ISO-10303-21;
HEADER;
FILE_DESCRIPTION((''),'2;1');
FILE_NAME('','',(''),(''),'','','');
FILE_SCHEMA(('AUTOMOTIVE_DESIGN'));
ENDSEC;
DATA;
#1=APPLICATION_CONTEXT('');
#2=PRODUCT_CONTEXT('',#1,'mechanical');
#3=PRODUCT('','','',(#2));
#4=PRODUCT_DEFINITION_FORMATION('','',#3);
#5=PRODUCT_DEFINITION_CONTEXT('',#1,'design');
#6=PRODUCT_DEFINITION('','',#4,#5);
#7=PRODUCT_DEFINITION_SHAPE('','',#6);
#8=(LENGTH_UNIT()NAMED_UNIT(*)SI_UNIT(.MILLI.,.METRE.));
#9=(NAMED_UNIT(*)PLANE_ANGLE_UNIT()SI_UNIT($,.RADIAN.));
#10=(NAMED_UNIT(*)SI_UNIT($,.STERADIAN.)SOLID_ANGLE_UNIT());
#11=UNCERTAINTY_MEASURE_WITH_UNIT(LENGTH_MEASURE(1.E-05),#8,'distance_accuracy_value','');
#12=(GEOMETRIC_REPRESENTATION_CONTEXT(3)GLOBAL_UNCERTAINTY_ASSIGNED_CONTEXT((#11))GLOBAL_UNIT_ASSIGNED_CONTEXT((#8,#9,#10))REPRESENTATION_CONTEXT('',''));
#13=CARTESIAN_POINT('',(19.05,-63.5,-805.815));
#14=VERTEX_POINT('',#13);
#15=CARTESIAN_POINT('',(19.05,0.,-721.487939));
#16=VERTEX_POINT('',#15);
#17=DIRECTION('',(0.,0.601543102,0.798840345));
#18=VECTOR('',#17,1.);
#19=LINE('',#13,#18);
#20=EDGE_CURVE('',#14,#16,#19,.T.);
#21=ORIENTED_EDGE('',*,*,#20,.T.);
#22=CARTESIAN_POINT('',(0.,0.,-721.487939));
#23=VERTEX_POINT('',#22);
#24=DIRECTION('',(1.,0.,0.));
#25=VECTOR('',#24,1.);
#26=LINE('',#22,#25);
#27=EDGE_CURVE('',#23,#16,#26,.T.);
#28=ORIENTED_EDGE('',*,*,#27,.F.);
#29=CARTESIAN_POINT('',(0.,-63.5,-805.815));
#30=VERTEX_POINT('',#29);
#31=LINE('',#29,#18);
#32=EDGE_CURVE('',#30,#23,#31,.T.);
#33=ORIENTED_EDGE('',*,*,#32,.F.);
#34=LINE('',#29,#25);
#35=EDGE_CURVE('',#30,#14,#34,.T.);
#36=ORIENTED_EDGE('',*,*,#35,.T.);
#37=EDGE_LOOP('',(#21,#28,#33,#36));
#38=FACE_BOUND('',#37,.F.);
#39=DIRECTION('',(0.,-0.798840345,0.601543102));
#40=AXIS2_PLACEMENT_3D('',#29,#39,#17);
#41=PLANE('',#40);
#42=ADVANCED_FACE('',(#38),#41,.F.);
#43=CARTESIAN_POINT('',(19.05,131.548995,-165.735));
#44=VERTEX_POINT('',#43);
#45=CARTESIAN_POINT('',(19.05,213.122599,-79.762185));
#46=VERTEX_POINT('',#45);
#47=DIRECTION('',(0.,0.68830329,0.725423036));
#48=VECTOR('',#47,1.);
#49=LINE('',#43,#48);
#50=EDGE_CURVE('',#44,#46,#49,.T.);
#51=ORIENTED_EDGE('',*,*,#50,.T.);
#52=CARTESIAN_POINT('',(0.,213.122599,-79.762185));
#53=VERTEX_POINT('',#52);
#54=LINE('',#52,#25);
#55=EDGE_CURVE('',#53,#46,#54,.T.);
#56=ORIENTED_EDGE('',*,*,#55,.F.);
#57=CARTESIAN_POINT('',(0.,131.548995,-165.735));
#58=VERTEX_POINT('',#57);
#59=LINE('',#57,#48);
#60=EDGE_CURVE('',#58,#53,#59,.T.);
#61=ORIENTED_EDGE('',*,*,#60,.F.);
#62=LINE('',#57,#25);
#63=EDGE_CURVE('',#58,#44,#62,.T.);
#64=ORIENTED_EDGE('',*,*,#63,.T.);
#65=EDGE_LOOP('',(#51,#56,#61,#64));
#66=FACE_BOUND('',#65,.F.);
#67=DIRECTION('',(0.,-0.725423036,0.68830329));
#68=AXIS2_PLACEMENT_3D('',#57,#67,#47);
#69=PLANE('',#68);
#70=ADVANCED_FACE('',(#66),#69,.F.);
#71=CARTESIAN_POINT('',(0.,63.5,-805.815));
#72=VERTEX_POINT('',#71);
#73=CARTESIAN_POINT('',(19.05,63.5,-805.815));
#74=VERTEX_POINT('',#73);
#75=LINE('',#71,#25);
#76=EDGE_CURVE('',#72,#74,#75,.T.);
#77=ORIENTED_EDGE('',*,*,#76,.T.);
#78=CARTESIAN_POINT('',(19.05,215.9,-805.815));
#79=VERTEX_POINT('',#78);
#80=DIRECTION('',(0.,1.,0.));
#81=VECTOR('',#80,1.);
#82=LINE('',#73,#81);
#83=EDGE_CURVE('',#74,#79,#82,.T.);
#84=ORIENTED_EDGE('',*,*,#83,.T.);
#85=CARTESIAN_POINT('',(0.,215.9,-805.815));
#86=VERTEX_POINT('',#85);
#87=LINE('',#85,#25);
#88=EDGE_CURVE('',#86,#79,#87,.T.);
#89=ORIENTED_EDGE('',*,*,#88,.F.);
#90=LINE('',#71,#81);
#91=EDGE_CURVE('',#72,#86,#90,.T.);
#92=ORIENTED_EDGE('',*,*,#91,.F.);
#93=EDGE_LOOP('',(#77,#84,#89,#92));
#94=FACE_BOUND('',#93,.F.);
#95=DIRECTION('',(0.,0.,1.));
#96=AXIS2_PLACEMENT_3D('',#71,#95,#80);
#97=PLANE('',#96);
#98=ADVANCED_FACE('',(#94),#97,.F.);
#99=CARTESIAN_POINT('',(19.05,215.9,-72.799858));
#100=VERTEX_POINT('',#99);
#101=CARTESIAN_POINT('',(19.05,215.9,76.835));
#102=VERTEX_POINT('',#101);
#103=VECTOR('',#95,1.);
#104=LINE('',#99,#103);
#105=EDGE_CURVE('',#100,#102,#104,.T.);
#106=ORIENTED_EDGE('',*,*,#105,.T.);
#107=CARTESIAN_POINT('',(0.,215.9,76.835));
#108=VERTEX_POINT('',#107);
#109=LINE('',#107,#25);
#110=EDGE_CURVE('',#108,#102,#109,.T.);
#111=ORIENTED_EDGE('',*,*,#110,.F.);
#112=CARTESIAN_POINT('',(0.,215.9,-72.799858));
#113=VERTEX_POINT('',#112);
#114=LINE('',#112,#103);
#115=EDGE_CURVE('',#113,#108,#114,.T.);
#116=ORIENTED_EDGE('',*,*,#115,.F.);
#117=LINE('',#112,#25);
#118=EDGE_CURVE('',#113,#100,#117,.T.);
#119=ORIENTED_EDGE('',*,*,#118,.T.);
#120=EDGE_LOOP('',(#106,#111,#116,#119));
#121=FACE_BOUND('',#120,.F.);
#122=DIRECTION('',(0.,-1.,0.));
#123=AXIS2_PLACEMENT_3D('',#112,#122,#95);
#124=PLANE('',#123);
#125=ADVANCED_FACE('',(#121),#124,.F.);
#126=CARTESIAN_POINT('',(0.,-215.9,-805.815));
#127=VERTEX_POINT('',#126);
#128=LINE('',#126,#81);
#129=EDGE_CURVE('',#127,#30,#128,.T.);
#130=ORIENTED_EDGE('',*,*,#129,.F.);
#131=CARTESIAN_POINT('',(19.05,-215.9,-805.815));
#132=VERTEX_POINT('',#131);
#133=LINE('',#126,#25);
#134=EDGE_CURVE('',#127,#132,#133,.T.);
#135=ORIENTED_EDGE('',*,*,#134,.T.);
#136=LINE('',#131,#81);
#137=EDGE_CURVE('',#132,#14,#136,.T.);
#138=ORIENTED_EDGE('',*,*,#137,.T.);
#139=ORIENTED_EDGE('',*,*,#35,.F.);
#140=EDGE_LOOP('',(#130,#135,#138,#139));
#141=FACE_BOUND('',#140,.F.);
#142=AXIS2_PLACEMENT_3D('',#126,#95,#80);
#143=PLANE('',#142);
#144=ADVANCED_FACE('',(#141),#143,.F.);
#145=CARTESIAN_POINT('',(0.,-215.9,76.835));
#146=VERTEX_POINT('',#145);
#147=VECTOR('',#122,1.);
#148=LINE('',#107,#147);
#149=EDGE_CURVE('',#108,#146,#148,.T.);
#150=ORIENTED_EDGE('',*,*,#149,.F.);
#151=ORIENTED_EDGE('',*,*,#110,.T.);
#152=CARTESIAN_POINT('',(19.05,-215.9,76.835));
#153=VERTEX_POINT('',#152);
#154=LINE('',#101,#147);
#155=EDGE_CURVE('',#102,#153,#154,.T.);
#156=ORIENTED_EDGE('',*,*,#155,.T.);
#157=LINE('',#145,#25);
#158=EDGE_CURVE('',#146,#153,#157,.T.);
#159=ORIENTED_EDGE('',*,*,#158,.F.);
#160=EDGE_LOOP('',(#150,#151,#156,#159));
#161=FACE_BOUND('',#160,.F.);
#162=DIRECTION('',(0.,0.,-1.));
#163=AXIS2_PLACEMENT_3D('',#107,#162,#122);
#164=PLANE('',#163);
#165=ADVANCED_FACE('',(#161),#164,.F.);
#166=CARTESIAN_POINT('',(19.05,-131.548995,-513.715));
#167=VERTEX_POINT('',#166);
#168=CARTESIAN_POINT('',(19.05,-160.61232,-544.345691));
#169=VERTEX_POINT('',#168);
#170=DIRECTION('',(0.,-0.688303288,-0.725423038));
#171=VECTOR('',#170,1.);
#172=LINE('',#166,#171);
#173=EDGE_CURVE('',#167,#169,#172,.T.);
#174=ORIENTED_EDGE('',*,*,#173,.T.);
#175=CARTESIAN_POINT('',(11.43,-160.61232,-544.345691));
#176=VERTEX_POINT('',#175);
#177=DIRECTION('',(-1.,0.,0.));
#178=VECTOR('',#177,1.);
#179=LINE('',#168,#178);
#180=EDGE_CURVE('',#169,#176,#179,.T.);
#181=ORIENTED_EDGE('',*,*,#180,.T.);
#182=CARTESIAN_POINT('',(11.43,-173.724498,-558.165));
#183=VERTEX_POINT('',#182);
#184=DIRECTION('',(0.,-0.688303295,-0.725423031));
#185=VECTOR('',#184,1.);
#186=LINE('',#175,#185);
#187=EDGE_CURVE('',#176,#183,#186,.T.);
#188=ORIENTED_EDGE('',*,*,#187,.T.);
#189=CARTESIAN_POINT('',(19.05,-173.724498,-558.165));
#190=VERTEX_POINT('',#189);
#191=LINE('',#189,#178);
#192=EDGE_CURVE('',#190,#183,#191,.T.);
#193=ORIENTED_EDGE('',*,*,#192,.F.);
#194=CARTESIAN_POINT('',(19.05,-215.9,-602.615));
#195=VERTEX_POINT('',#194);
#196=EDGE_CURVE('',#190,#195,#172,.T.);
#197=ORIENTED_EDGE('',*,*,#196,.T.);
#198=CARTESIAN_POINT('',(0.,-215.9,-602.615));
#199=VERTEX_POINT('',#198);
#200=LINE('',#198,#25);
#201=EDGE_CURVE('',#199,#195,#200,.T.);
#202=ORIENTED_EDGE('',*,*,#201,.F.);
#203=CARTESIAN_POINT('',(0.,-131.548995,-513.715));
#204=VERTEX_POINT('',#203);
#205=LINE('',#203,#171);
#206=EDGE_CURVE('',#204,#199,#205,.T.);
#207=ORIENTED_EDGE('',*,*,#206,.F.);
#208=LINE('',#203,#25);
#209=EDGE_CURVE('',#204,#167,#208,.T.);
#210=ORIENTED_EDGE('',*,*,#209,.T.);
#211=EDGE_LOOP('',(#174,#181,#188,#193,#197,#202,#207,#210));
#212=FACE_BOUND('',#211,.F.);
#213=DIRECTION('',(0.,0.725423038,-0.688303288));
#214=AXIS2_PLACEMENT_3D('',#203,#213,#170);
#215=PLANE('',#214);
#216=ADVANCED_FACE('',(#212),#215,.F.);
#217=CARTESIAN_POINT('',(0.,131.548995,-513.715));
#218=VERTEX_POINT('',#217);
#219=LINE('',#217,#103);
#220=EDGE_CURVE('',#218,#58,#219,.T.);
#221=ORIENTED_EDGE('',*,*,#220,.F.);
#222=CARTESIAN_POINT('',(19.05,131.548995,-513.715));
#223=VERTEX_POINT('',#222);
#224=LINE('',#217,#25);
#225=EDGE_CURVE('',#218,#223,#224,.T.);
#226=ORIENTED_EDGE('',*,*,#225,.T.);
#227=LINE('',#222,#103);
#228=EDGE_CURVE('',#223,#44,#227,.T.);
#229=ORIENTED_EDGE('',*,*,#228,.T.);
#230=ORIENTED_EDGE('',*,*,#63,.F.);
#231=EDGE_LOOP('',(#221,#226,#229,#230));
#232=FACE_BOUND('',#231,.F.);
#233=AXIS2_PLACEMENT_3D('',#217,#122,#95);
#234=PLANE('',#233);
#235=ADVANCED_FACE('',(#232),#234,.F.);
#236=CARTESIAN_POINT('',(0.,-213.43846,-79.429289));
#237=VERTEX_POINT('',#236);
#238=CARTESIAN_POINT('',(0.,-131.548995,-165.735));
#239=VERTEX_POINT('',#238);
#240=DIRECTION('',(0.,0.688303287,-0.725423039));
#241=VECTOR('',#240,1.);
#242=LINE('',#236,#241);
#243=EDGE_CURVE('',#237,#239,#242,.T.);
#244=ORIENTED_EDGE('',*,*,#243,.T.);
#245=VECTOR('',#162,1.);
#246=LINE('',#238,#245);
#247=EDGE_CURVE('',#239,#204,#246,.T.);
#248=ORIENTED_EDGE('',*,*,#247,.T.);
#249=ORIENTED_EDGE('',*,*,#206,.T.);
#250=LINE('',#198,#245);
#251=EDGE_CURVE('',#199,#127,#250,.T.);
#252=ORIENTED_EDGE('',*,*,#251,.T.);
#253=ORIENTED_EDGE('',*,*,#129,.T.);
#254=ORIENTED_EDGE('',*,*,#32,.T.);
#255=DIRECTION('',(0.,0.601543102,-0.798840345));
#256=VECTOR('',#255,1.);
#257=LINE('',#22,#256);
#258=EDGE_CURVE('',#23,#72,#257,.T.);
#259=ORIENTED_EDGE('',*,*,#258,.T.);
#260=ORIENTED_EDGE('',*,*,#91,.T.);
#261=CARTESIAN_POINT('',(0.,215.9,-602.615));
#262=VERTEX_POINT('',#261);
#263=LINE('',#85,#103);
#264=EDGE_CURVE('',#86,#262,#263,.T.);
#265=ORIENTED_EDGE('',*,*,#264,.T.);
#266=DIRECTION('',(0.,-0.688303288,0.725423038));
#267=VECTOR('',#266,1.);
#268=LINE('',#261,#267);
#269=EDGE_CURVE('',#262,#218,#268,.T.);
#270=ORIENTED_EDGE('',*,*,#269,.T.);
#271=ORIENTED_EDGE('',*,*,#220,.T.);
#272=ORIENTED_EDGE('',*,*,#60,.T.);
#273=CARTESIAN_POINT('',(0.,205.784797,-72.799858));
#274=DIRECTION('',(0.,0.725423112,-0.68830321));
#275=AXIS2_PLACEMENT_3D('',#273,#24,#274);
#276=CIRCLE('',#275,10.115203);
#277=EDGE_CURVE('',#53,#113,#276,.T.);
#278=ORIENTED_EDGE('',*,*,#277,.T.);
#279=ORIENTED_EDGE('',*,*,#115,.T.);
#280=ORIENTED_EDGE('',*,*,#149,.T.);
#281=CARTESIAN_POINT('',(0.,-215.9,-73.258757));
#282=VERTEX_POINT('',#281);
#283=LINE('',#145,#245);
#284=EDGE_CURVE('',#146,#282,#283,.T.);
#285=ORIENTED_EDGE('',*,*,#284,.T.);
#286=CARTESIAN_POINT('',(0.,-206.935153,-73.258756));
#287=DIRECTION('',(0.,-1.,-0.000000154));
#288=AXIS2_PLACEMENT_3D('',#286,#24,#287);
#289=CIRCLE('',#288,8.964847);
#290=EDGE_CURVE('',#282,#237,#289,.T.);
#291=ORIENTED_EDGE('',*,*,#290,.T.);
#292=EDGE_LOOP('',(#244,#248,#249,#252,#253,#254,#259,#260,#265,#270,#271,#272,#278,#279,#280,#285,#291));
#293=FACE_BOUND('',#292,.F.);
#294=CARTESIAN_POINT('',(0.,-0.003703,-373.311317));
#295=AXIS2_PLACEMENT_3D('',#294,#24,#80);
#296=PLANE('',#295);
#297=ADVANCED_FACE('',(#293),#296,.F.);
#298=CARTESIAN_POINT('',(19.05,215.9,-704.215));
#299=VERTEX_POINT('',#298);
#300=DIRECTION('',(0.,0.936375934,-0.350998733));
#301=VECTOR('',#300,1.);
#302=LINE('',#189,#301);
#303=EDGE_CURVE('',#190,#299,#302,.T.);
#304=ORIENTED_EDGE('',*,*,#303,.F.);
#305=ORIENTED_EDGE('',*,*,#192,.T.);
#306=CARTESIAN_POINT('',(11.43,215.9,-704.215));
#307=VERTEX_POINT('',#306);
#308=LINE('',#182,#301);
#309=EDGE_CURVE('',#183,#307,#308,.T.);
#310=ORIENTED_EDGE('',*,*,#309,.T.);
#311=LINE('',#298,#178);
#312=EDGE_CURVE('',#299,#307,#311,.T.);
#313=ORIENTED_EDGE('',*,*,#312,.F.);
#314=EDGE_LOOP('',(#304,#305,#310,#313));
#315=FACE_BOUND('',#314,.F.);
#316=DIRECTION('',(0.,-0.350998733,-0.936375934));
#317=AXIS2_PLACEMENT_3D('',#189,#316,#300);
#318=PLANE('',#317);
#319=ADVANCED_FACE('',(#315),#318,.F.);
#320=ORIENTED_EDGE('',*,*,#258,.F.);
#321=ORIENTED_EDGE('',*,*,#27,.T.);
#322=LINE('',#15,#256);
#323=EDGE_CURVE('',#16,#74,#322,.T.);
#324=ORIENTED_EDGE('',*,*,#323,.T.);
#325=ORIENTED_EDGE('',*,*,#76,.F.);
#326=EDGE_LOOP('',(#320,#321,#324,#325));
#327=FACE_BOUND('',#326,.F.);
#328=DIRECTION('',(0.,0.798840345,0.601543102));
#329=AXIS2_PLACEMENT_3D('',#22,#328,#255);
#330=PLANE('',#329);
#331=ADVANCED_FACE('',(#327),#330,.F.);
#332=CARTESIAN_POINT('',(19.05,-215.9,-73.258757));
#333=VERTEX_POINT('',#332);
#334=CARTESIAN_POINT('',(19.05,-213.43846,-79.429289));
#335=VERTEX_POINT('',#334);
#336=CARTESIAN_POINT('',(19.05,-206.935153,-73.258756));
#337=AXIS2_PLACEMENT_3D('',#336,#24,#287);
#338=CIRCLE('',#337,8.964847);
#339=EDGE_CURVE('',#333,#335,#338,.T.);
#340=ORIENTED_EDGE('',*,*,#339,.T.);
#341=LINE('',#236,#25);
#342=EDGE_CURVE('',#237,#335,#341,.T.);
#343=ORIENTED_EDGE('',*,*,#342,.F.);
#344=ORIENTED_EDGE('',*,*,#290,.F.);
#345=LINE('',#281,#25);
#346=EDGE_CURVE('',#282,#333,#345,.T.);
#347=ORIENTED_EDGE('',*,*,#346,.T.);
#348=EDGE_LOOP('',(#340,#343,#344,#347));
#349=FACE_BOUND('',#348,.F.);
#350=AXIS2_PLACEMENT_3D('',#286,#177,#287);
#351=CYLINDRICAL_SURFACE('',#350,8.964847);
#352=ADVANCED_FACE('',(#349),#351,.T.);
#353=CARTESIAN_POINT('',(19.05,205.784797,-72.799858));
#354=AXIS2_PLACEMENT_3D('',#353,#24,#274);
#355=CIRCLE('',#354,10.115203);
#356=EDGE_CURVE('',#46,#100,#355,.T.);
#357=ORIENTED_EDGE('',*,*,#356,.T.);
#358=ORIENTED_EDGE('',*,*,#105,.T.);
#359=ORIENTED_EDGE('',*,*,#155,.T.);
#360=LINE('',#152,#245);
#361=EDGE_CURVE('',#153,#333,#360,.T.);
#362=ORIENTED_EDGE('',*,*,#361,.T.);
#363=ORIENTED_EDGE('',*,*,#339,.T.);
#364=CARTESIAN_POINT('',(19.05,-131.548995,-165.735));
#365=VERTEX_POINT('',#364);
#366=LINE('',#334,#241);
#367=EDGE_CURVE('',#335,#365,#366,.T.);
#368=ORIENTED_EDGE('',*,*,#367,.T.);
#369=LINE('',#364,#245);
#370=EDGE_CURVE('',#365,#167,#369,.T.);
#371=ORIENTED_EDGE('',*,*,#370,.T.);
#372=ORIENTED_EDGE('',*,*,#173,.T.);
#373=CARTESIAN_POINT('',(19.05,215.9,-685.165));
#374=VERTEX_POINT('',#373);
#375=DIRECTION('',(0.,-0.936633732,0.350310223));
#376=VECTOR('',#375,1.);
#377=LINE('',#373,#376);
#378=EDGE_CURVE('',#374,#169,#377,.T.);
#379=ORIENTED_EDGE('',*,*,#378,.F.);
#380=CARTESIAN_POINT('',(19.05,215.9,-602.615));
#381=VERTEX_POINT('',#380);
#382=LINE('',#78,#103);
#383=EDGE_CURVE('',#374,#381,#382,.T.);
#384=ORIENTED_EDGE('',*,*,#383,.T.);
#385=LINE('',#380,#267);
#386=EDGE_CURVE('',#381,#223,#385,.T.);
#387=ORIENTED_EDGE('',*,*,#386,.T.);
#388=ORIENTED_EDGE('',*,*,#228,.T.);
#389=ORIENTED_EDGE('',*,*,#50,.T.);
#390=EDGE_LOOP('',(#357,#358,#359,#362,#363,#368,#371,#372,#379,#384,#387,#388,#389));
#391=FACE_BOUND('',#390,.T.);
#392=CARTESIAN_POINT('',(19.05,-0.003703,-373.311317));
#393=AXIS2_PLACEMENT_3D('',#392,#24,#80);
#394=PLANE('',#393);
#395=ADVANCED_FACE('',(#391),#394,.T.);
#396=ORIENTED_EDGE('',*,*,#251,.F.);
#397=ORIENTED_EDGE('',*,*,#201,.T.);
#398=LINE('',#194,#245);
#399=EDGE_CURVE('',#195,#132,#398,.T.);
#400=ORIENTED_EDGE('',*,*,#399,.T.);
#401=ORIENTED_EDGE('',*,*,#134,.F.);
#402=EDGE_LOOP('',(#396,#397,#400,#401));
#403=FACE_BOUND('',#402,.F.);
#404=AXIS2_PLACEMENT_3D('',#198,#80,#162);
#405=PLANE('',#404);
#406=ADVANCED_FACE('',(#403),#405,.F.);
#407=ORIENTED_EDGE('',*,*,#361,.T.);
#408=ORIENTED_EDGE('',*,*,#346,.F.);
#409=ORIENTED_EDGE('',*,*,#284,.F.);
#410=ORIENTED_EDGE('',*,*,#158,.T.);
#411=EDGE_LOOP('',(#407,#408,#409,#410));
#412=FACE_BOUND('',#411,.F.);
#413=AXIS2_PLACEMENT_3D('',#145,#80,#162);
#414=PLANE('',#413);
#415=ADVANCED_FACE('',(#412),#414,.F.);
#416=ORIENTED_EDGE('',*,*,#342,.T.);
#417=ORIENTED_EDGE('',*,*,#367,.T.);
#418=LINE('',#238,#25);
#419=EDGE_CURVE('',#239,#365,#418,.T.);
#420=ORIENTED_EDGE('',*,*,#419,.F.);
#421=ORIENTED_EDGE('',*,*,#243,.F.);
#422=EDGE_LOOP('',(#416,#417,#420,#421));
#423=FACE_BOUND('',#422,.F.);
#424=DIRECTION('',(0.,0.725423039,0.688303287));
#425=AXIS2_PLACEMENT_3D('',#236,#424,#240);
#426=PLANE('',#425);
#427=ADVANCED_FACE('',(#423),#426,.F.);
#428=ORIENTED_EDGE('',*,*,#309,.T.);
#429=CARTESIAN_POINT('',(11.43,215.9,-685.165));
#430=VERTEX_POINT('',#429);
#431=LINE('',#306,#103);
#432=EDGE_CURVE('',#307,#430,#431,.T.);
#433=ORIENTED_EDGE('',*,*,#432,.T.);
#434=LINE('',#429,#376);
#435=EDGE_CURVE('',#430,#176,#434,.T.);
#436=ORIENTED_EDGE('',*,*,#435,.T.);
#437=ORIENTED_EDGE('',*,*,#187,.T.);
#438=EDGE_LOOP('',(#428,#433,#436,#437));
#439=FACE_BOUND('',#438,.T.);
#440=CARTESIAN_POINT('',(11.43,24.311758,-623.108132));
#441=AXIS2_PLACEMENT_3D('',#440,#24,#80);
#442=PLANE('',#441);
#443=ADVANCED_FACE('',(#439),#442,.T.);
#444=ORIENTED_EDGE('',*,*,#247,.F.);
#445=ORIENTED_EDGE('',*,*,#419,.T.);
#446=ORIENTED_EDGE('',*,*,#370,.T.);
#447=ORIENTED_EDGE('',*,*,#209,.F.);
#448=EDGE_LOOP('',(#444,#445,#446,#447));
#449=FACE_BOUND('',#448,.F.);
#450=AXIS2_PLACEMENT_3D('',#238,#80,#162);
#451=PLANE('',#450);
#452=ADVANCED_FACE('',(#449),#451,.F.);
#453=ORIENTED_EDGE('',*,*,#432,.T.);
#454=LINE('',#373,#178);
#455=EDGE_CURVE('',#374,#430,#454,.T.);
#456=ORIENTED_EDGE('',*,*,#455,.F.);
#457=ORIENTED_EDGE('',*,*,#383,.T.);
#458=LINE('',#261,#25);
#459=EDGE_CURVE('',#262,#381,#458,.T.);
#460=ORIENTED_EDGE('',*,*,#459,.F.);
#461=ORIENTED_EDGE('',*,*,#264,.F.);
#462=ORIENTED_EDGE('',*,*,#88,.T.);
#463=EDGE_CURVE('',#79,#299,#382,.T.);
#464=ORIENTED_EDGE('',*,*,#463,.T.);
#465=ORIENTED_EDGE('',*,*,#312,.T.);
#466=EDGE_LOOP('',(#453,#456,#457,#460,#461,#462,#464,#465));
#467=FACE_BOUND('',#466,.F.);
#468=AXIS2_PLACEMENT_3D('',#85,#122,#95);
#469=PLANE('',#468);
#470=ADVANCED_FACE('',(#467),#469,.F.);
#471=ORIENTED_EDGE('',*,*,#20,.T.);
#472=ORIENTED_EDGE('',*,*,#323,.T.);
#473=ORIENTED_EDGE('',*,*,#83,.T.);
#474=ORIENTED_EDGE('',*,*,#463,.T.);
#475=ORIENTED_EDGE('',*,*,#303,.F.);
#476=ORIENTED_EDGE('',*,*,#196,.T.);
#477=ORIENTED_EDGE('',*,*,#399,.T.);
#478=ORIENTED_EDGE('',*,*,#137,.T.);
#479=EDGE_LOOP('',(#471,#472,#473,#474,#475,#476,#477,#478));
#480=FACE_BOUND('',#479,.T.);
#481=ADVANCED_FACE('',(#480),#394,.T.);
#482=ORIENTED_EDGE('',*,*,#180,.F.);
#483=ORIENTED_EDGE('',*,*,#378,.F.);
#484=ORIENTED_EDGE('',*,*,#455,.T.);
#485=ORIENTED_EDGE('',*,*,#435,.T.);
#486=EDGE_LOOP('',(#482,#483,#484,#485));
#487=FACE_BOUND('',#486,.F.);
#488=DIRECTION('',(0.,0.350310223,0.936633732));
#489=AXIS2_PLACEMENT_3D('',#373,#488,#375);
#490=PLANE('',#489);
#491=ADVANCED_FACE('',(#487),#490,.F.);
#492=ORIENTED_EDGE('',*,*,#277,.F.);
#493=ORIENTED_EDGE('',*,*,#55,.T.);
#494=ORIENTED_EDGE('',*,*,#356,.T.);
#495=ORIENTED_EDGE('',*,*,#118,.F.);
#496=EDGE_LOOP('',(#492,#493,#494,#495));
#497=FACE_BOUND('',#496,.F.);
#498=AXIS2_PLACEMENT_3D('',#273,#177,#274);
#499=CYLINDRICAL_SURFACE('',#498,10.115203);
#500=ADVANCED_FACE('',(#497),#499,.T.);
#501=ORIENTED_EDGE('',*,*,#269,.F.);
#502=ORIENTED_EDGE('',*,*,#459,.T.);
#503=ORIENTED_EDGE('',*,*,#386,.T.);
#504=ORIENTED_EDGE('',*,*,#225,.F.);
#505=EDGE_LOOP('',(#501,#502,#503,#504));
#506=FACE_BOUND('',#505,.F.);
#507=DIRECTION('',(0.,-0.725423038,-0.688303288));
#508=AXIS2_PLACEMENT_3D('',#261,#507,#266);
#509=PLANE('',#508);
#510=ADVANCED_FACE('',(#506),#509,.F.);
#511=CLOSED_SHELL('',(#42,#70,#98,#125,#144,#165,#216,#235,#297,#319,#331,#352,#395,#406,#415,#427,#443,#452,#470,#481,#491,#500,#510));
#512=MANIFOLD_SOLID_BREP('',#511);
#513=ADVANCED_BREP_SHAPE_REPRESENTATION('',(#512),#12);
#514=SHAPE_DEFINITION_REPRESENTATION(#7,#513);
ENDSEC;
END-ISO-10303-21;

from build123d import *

# Parameters (mm, degrees)
F1_DEPTH = 19.05
F3_DEPTH = 7.62


with BuildPart() as f1:
    # F0 (on Right) → F1 (new body)
    with BuildSketch(Plane.YZ):
        with BuildLine():
            Line((215.9, -72.799858), (215.9, 76.835))
            Line((215.9, 76.835), (-215.9, 76.835))
            Line((-215.9, 76.835), (-215.9, -73.258757))
            ThreePointArc((-215.9, -73.258757), (-215.261906, -76.580452), (-213.43846, -79.429289))
            Line((-213.43846, -79.429289), (-131.548995, -165.735))
            Line((-131.548995, -165.735), (-131.548995, -513.715))
            Line((-131.548995, -513.715), (-215.9, -602.615))
            Line((-215.9, -602.615), (-215.9, -805.815))
            Line((-215.9, -805.815), (-63.5, -805.815))
            Line((-63.5, -805.815), (0, -721.487939))
            Line((0, -721.487939), (63.5, -805.815))
            Line((63.5, -805.815), (215.9, -805.815))
            Line((215.9, -805.815), (215.9, -602.615))
            Line((215.9, -602.615), (131.548995, -513.715))
            Line((131.548995, -513.715), (131.548995, -165.735))
            Line((131.548995, -165.735), (213.122599, -79.762185))
            ThreePointArc((213.122599, -79.762185), (215.180027, -76.547789), (215.9, -72.799858))
        make_face()
    extrude(amount=F1_DEPTH)

    # F2 (on face) → F3 (cut)
    with BuildSketch(Plane.YZ.offset(19.05)):
        Polygon((-173.724498, -558.165), (215.9, -704.215), (215.9, -685.165), (-160.61232, -544.345691), align=None)
    extrude(amount=-F3_DEPTH, mode=Mode.SUBTRACT)


solid = f1.part
